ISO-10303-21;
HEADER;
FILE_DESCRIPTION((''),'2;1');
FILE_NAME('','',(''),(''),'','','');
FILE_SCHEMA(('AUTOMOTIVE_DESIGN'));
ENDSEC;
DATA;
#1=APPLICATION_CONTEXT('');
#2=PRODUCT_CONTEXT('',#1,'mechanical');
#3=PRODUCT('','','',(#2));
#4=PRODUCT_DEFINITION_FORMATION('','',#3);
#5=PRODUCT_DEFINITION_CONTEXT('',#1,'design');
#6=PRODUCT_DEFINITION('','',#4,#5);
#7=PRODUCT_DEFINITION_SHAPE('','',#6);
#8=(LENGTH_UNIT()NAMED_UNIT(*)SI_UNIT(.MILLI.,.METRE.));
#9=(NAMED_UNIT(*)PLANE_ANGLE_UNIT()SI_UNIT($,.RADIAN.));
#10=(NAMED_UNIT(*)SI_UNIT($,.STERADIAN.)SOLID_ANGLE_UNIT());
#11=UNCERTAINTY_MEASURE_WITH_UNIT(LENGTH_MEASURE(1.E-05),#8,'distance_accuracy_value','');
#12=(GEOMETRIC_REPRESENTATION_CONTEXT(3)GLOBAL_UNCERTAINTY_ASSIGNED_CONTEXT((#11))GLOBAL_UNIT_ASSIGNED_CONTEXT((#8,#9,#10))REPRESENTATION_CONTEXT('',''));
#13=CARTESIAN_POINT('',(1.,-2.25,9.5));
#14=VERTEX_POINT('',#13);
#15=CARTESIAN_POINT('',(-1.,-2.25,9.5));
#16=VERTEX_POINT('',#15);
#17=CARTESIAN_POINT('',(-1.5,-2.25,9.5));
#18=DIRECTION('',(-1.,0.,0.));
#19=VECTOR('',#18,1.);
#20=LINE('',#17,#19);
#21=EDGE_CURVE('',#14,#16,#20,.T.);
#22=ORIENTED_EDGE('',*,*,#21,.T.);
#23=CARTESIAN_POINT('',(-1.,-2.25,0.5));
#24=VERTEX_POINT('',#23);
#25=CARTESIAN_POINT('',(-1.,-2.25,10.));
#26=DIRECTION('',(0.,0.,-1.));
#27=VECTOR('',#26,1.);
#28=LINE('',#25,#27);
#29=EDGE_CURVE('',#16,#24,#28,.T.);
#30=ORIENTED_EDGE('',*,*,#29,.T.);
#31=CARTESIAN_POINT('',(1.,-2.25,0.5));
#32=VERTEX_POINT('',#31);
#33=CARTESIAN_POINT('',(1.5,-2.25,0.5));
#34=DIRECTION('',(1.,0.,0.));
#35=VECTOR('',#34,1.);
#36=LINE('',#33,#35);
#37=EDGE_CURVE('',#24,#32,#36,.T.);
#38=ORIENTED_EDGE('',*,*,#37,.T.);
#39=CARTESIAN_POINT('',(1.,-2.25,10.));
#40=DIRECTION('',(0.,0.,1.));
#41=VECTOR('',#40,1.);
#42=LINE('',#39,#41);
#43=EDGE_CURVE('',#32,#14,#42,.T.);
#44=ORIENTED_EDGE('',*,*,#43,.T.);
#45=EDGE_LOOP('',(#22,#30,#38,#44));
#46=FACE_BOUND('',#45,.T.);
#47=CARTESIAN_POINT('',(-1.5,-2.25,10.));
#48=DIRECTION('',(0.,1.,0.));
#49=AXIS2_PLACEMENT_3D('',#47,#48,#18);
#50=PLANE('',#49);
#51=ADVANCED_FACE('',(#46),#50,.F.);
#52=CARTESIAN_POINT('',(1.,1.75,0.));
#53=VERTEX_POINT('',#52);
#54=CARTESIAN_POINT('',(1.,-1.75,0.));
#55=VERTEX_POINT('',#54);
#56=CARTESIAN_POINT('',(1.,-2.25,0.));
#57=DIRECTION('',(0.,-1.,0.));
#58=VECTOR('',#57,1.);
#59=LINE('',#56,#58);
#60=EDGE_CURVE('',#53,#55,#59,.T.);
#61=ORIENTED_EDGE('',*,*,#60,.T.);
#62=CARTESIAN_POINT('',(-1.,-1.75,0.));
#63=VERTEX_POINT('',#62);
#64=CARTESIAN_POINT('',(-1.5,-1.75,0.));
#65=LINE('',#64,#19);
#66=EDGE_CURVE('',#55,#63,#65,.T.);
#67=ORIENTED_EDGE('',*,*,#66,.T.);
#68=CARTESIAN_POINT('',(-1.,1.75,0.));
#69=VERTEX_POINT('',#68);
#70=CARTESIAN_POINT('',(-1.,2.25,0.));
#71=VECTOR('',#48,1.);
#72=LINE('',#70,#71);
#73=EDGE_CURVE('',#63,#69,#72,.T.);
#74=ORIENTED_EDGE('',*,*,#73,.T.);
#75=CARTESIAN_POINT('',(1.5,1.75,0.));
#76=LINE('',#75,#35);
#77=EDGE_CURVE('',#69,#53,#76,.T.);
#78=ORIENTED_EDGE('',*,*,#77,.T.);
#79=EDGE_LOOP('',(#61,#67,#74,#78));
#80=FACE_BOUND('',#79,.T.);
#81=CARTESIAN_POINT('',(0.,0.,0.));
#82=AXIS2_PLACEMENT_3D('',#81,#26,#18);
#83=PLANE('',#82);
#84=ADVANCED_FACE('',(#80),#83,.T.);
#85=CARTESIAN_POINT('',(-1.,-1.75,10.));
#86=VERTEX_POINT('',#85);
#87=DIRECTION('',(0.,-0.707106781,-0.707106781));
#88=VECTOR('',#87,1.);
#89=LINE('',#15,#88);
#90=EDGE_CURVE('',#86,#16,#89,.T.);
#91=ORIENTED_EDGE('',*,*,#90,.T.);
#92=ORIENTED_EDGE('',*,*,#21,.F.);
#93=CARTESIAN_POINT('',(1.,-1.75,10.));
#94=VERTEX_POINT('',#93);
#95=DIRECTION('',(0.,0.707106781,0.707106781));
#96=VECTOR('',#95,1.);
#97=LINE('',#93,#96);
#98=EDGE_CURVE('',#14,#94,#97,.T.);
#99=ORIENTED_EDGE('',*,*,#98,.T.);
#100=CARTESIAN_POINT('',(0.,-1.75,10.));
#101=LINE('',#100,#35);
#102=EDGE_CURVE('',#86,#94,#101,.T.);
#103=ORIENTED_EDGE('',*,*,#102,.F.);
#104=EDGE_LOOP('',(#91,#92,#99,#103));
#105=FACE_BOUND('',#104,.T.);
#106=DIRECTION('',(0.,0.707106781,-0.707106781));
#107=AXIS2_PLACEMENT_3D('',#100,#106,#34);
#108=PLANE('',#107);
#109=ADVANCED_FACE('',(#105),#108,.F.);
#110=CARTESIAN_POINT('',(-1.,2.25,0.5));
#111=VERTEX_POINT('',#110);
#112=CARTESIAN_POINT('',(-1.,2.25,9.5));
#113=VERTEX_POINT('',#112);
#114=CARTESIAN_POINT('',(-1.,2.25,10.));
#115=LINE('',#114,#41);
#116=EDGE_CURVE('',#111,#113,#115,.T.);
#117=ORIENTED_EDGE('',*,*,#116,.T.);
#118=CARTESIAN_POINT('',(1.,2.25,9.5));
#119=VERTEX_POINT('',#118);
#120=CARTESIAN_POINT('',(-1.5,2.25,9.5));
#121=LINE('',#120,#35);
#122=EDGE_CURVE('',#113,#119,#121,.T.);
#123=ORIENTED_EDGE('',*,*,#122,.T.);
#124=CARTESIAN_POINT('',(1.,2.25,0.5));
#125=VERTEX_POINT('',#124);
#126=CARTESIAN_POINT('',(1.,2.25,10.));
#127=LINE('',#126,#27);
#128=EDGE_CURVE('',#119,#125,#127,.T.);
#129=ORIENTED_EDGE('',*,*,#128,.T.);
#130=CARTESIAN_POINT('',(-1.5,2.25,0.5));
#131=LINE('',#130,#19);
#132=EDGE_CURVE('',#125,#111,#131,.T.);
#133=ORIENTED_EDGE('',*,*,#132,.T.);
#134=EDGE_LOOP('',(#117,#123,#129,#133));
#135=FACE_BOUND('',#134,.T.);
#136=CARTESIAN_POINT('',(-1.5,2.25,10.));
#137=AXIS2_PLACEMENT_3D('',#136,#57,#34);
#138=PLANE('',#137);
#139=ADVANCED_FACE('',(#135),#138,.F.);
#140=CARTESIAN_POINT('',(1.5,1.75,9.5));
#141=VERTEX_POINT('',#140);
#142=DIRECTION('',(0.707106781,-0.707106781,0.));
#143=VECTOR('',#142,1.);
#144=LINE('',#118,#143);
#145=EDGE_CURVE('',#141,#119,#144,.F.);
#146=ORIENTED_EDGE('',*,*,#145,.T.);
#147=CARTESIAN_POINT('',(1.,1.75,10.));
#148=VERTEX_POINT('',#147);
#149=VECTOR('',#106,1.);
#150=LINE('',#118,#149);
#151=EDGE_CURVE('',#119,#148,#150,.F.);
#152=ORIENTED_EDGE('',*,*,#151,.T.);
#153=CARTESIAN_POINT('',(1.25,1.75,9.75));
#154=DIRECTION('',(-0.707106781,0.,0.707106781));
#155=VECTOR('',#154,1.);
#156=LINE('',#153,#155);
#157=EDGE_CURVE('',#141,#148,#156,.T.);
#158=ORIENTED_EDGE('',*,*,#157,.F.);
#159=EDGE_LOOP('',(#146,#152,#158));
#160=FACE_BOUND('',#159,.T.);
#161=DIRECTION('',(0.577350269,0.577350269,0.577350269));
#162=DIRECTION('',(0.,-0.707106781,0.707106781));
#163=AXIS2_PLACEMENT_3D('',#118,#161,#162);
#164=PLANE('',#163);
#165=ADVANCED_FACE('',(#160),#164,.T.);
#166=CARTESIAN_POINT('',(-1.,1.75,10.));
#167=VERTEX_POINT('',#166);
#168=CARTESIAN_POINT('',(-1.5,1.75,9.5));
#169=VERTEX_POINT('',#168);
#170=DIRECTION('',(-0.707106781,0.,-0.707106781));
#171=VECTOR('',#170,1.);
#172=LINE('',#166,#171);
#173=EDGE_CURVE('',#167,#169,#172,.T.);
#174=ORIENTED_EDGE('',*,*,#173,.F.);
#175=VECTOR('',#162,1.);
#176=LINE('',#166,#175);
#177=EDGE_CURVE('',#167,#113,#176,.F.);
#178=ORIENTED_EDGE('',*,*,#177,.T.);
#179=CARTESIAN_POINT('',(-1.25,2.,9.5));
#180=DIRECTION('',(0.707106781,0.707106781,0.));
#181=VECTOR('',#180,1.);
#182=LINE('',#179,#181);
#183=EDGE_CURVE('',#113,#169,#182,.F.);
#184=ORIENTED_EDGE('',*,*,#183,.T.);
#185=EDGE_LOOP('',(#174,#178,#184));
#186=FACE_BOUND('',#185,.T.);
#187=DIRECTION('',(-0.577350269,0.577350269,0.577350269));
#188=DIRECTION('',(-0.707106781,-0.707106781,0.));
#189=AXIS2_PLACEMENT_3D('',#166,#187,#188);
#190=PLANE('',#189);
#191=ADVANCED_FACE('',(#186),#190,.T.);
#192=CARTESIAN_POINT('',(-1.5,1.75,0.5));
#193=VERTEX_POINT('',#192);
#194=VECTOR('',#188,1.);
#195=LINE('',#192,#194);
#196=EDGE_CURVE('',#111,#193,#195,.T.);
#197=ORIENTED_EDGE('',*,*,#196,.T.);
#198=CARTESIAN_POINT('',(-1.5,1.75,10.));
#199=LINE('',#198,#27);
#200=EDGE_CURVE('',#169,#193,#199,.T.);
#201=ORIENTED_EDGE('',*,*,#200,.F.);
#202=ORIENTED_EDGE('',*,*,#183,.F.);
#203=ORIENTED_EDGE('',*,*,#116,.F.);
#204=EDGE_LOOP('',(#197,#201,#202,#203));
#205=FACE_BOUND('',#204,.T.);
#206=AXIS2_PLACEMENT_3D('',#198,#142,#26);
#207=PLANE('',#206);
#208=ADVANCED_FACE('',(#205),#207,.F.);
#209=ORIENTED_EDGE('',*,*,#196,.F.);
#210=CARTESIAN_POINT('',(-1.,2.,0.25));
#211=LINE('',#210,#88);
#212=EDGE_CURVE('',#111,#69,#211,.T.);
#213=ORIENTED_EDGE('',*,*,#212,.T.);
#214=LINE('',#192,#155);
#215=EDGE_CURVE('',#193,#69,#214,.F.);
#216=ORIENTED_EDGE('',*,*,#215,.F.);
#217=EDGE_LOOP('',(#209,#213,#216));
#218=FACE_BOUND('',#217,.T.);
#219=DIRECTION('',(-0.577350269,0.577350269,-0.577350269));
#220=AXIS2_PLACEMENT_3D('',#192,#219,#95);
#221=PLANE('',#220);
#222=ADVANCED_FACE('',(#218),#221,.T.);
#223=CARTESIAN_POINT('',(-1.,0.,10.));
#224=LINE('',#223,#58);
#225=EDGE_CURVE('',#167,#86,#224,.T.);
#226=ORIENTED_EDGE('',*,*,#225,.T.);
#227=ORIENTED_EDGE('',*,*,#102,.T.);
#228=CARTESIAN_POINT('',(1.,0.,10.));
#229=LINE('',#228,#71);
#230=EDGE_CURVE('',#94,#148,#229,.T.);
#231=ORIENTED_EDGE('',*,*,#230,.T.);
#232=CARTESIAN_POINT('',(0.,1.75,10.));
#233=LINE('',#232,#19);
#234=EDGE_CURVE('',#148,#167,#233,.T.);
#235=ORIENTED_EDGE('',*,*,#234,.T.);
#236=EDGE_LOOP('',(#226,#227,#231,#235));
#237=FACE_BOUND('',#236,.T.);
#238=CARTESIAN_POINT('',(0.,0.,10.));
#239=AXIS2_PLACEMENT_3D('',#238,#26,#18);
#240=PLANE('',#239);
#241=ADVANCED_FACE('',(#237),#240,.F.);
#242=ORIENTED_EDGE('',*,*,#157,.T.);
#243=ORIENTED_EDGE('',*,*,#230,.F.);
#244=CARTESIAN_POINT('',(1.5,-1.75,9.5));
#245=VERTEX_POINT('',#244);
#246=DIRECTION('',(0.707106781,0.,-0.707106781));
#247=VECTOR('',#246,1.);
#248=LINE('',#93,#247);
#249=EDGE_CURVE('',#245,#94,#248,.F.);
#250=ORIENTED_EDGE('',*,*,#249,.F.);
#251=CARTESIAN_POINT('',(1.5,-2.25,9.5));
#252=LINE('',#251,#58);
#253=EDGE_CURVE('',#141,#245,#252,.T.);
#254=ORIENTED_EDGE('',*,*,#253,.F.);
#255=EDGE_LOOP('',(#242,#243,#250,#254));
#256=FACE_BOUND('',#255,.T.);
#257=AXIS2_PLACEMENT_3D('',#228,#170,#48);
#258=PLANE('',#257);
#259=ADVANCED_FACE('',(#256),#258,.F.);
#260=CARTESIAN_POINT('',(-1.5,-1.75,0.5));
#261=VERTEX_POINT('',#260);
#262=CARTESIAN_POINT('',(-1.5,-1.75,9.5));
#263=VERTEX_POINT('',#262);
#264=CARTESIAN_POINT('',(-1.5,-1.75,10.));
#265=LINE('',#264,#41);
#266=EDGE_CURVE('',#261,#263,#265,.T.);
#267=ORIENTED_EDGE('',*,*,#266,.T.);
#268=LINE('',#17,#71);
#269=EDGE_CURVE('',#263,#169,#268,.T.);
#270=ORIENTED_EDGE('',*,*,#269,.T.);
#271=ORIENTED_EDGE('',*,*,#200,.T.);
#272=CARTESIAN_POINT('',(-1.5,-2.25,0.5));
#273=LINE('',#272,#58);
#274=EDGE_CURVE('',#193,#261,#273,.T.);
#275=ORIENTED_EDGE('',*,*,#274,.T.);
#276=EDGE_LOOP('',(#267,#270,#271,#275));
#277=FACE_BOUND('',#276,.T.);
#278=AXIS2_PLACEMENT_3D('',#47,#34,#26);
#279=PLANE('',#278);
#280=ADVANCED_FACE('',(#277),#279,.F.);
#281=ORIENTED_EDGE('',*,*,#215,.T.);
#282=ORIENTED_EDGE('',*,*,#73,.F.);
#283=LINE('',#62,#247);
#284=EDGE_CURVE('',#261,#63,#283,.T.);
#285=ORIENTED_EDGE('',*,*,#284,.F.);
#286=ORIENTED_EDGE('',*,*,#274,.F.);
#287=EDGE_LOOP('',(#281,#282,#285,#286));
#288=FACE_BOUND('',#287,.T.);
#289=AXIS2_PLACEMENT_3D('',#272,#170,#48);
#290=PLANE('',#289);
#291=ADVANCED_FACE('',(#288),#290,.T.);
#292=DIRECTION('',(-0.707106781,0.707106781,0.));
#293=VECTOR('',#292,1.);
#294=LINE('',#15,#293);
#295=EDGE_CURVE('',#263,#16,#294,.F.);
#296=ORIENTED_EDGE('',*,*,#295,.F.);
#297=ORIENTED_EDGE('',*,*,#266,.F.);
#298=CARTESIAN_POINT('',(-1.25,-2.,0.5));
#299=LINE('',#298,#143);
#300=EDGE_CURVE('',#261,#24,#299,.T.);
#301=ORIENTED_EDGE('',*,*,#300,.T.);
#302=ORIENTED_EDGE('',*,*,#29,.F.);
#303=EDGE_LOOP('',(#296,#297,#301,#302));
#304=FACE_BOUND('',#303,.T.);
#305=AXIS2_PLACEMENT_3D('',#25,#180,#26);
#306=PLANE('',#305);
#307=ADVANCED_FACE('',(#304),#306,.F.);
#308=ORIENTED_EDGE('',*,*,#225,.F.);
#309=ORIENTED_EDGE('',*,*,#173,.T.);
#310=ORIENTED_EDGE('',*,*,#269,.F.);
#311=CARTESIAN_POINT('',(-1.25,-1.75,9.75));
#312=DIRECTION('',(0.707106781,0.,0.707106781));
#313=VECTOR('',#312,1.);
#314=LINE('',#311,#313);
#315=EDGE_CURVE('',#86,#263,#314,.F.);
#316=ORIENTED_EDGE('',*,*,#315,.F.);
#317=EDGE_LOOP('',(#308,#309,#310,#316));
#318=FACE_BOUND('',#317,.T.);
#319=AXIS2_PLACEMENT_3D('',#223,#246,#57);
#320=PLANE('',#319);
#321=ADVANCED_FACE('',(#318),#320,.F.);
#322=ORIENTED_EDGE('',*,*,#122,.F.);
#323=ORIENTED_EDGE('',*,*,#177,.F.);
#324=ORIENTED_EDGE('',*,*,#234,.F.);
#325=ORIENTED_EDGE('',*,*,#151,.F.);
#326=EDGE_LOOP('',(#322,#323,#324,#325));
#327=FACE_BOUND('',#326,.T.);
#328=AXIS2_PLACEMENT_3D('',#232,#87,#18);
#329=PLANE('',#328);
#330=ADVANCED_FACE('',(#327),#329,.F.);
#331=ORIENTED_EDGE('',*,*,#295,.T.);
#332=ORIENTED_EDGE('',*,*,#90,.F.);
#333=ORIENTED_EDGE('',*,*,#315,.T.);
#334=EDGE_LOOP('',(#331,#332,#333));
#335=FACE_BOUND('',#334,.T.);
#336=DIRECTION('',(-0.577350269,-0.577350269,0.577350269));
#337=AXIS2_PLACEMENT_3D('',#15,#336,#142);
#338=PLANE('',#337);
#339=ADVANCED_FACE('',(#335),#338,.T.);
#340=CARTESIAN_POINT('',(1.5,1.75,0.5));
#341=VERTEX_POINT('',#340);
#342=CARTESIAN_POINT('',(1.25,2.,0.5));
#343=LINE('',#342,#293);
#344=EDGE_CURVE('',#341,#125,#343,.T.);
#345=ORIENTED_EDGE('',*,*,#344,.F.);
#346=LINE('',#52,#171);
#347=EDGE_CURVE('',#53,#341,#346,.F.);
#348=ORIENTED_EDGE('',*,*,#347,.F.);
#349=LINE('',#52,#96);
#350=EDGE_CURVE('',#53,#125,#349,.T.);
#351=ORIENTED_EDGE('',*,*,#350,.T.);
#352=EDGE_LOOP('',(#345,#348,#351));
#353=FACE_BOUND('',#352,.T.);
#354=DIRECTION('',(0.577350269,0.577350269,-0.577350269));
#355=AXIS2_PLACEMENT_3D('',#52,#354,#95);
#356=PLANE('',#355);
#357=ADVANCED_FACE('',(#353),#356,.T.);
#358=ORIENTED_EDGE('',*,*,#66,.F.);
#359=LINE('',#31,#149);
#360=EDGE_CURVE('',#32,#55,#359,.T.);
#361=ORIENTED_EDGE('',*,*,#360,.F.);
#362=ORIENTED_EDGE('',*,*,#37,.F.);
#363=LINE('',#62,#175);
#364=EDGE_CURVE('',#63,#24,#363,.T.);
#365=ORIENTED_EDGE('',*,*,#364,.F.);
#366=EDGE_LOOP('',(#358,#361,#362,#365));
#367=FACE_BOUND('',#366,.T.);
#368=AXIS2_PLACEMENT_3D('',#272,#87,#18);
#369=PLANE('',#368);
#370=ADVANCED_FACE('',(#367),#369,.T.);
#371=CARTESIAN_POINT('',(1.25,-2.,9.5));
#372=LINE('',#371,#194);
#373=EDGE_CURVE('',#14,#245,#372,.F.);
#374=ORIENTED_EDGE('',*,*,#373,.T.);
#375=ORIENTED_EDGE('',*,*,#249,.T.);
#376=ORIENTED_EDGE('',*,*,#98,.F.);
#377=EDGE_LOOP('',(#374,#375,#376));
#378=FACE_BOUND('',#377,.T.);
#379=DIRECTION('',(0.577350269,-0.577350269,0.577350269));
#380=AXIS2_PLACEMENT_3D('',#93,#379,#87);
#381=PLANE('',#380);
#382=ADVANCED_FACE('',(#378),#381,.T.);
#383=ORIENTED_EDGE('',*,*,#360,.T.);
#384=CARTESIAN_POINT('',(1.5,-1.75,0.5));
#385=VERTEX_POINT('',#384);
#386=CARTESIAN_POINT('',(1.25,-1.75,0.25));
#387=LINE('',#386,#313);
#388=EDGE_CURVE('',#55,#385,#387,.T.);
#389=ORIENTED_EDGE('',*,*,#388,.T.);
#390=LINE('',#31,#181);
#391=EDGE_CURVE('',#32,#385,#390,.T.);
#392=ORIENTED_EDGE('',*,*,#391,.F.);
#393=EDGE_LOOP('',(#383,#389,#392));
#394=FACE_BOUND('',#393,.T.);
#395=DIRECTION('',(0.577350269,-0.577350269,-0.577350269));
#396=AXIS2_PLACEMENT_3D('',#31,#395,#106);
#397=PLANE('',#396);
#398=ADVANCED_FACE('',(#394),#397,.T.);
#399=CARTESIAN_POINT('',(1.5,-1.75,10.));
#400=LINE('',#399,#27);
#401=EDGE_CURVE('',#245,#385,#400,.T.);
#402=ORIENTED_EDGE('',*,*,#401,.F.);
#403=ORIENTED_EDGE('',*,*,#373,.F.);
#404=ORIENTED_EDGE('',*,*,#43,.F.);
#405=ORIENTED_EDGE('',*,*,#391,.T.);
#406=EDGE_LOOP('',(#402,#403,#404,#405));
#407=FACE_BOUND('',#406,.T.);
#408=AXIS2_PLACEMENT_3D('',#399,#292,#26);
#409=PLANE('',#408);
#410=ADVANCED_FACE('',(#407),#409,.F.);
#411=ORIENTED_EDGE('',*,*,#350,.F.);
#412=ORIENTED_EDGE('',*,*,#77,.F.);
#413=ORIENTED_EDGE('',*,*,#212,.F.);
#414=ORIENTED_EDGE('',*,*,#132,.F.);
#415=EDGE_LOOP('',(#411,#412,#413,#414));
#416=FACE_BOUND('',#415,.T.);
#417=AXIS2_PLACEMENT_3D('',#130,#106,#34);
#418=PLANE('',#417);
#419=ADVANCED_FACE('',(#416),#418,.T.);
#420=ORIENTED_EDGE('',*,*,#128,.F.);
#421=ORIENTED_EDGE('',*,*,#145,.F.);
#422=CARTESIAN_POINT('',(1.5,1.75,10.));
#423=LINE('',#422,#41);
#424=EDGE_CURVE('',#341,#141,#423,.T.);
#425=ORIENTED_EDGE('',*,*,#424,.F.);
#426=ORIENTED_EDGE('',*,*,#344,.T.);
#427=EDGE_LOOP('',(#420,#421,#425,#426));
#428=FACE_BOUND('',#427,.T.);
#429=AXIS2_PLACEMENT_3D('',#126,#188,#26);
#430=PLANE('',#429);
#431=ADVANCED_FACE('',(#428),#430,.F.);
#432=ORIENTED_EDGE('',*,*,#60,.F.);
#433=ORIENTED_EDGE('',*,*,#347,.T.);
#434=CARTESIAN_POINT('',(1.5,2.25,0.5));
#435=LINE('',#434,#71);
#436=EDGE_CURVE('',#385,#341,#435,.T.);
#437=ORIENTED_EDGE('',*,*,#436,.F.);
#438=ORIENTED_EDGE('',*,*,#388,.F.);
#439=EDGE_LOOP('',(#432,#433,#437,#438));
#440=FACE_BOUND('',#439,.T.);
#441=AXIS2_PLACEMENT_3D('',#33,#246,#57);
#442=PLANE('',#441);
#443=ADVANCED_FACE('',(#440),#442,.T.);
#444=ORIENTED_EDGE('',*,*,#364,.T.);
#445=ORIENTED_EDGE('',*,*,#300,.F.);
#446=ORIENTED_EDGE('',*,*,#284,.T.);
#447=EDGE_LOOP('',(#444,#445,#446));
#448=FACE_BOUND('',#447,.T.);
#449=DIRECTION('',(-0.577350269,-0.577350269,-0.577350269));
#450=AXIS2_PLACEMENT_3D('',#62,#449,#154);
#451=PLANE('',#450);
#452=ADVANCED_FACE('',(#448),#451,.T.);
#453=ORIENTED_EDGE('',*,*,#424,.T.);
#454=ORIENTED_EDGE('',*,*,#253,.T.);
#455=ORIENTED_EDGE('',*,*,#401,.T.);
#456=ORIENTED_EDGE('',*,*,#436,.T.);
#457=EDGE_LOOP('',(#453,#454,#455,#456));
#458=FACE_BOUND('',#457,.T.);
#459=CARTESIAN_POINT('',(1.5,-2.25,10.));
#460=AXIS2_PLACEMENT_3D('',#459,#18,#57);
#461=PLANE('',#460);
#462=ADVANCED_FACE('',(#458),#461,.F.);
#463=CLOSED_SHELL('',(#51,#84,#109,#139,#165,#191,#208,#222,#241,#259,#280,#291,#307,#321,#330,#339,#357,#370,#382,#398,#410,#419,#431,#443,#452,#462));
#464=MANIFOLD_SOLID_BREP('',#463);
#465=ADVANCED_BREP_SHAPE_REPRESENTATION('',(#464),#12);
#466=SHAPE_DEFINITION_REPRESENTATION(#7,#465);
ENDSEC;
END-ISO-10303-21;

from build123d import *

# Parameters (mm, degrees)
SKETCH1_W           = 3
SKETCH1_H           = 4.5
BOSS_EXTRUDE1_DEPTH = 10
CHAMFER1_SIZE       = 0.5


with BuildPart() as part:
    # Sketch1 → Boss-Extrude1 (new body)
    with BuildSketch(Plane.XY):
        Rectangle(SKETCH1_W, SKETCH1_H)
    extrude(amount=BOSS_EXTRUDE1_DEPTH)

    # Chamfer1
    chamfer1_edges = [part.edges().sort_by_distance(p)[0] for p in [
        (-1.5, 0, 10),
        (0, -2.25, 10),
        (1.5, 0, 10),
        (0, -2.25, 0),
        (-1.5, 0, 0),
        (0, 2.25, 0),
        (1.5, 0, 0),
        (1.5, -2.25, 5),
        (-1.5, -2.25, 5),
        (-1.5, 2.25, 5),
        (1.5, 2.25, 5),
        (0, 2.25, 10),
    ]]
    chamfer(chamfer1_edges, length=CHAMFER1_SIZE)


solid = part.part
